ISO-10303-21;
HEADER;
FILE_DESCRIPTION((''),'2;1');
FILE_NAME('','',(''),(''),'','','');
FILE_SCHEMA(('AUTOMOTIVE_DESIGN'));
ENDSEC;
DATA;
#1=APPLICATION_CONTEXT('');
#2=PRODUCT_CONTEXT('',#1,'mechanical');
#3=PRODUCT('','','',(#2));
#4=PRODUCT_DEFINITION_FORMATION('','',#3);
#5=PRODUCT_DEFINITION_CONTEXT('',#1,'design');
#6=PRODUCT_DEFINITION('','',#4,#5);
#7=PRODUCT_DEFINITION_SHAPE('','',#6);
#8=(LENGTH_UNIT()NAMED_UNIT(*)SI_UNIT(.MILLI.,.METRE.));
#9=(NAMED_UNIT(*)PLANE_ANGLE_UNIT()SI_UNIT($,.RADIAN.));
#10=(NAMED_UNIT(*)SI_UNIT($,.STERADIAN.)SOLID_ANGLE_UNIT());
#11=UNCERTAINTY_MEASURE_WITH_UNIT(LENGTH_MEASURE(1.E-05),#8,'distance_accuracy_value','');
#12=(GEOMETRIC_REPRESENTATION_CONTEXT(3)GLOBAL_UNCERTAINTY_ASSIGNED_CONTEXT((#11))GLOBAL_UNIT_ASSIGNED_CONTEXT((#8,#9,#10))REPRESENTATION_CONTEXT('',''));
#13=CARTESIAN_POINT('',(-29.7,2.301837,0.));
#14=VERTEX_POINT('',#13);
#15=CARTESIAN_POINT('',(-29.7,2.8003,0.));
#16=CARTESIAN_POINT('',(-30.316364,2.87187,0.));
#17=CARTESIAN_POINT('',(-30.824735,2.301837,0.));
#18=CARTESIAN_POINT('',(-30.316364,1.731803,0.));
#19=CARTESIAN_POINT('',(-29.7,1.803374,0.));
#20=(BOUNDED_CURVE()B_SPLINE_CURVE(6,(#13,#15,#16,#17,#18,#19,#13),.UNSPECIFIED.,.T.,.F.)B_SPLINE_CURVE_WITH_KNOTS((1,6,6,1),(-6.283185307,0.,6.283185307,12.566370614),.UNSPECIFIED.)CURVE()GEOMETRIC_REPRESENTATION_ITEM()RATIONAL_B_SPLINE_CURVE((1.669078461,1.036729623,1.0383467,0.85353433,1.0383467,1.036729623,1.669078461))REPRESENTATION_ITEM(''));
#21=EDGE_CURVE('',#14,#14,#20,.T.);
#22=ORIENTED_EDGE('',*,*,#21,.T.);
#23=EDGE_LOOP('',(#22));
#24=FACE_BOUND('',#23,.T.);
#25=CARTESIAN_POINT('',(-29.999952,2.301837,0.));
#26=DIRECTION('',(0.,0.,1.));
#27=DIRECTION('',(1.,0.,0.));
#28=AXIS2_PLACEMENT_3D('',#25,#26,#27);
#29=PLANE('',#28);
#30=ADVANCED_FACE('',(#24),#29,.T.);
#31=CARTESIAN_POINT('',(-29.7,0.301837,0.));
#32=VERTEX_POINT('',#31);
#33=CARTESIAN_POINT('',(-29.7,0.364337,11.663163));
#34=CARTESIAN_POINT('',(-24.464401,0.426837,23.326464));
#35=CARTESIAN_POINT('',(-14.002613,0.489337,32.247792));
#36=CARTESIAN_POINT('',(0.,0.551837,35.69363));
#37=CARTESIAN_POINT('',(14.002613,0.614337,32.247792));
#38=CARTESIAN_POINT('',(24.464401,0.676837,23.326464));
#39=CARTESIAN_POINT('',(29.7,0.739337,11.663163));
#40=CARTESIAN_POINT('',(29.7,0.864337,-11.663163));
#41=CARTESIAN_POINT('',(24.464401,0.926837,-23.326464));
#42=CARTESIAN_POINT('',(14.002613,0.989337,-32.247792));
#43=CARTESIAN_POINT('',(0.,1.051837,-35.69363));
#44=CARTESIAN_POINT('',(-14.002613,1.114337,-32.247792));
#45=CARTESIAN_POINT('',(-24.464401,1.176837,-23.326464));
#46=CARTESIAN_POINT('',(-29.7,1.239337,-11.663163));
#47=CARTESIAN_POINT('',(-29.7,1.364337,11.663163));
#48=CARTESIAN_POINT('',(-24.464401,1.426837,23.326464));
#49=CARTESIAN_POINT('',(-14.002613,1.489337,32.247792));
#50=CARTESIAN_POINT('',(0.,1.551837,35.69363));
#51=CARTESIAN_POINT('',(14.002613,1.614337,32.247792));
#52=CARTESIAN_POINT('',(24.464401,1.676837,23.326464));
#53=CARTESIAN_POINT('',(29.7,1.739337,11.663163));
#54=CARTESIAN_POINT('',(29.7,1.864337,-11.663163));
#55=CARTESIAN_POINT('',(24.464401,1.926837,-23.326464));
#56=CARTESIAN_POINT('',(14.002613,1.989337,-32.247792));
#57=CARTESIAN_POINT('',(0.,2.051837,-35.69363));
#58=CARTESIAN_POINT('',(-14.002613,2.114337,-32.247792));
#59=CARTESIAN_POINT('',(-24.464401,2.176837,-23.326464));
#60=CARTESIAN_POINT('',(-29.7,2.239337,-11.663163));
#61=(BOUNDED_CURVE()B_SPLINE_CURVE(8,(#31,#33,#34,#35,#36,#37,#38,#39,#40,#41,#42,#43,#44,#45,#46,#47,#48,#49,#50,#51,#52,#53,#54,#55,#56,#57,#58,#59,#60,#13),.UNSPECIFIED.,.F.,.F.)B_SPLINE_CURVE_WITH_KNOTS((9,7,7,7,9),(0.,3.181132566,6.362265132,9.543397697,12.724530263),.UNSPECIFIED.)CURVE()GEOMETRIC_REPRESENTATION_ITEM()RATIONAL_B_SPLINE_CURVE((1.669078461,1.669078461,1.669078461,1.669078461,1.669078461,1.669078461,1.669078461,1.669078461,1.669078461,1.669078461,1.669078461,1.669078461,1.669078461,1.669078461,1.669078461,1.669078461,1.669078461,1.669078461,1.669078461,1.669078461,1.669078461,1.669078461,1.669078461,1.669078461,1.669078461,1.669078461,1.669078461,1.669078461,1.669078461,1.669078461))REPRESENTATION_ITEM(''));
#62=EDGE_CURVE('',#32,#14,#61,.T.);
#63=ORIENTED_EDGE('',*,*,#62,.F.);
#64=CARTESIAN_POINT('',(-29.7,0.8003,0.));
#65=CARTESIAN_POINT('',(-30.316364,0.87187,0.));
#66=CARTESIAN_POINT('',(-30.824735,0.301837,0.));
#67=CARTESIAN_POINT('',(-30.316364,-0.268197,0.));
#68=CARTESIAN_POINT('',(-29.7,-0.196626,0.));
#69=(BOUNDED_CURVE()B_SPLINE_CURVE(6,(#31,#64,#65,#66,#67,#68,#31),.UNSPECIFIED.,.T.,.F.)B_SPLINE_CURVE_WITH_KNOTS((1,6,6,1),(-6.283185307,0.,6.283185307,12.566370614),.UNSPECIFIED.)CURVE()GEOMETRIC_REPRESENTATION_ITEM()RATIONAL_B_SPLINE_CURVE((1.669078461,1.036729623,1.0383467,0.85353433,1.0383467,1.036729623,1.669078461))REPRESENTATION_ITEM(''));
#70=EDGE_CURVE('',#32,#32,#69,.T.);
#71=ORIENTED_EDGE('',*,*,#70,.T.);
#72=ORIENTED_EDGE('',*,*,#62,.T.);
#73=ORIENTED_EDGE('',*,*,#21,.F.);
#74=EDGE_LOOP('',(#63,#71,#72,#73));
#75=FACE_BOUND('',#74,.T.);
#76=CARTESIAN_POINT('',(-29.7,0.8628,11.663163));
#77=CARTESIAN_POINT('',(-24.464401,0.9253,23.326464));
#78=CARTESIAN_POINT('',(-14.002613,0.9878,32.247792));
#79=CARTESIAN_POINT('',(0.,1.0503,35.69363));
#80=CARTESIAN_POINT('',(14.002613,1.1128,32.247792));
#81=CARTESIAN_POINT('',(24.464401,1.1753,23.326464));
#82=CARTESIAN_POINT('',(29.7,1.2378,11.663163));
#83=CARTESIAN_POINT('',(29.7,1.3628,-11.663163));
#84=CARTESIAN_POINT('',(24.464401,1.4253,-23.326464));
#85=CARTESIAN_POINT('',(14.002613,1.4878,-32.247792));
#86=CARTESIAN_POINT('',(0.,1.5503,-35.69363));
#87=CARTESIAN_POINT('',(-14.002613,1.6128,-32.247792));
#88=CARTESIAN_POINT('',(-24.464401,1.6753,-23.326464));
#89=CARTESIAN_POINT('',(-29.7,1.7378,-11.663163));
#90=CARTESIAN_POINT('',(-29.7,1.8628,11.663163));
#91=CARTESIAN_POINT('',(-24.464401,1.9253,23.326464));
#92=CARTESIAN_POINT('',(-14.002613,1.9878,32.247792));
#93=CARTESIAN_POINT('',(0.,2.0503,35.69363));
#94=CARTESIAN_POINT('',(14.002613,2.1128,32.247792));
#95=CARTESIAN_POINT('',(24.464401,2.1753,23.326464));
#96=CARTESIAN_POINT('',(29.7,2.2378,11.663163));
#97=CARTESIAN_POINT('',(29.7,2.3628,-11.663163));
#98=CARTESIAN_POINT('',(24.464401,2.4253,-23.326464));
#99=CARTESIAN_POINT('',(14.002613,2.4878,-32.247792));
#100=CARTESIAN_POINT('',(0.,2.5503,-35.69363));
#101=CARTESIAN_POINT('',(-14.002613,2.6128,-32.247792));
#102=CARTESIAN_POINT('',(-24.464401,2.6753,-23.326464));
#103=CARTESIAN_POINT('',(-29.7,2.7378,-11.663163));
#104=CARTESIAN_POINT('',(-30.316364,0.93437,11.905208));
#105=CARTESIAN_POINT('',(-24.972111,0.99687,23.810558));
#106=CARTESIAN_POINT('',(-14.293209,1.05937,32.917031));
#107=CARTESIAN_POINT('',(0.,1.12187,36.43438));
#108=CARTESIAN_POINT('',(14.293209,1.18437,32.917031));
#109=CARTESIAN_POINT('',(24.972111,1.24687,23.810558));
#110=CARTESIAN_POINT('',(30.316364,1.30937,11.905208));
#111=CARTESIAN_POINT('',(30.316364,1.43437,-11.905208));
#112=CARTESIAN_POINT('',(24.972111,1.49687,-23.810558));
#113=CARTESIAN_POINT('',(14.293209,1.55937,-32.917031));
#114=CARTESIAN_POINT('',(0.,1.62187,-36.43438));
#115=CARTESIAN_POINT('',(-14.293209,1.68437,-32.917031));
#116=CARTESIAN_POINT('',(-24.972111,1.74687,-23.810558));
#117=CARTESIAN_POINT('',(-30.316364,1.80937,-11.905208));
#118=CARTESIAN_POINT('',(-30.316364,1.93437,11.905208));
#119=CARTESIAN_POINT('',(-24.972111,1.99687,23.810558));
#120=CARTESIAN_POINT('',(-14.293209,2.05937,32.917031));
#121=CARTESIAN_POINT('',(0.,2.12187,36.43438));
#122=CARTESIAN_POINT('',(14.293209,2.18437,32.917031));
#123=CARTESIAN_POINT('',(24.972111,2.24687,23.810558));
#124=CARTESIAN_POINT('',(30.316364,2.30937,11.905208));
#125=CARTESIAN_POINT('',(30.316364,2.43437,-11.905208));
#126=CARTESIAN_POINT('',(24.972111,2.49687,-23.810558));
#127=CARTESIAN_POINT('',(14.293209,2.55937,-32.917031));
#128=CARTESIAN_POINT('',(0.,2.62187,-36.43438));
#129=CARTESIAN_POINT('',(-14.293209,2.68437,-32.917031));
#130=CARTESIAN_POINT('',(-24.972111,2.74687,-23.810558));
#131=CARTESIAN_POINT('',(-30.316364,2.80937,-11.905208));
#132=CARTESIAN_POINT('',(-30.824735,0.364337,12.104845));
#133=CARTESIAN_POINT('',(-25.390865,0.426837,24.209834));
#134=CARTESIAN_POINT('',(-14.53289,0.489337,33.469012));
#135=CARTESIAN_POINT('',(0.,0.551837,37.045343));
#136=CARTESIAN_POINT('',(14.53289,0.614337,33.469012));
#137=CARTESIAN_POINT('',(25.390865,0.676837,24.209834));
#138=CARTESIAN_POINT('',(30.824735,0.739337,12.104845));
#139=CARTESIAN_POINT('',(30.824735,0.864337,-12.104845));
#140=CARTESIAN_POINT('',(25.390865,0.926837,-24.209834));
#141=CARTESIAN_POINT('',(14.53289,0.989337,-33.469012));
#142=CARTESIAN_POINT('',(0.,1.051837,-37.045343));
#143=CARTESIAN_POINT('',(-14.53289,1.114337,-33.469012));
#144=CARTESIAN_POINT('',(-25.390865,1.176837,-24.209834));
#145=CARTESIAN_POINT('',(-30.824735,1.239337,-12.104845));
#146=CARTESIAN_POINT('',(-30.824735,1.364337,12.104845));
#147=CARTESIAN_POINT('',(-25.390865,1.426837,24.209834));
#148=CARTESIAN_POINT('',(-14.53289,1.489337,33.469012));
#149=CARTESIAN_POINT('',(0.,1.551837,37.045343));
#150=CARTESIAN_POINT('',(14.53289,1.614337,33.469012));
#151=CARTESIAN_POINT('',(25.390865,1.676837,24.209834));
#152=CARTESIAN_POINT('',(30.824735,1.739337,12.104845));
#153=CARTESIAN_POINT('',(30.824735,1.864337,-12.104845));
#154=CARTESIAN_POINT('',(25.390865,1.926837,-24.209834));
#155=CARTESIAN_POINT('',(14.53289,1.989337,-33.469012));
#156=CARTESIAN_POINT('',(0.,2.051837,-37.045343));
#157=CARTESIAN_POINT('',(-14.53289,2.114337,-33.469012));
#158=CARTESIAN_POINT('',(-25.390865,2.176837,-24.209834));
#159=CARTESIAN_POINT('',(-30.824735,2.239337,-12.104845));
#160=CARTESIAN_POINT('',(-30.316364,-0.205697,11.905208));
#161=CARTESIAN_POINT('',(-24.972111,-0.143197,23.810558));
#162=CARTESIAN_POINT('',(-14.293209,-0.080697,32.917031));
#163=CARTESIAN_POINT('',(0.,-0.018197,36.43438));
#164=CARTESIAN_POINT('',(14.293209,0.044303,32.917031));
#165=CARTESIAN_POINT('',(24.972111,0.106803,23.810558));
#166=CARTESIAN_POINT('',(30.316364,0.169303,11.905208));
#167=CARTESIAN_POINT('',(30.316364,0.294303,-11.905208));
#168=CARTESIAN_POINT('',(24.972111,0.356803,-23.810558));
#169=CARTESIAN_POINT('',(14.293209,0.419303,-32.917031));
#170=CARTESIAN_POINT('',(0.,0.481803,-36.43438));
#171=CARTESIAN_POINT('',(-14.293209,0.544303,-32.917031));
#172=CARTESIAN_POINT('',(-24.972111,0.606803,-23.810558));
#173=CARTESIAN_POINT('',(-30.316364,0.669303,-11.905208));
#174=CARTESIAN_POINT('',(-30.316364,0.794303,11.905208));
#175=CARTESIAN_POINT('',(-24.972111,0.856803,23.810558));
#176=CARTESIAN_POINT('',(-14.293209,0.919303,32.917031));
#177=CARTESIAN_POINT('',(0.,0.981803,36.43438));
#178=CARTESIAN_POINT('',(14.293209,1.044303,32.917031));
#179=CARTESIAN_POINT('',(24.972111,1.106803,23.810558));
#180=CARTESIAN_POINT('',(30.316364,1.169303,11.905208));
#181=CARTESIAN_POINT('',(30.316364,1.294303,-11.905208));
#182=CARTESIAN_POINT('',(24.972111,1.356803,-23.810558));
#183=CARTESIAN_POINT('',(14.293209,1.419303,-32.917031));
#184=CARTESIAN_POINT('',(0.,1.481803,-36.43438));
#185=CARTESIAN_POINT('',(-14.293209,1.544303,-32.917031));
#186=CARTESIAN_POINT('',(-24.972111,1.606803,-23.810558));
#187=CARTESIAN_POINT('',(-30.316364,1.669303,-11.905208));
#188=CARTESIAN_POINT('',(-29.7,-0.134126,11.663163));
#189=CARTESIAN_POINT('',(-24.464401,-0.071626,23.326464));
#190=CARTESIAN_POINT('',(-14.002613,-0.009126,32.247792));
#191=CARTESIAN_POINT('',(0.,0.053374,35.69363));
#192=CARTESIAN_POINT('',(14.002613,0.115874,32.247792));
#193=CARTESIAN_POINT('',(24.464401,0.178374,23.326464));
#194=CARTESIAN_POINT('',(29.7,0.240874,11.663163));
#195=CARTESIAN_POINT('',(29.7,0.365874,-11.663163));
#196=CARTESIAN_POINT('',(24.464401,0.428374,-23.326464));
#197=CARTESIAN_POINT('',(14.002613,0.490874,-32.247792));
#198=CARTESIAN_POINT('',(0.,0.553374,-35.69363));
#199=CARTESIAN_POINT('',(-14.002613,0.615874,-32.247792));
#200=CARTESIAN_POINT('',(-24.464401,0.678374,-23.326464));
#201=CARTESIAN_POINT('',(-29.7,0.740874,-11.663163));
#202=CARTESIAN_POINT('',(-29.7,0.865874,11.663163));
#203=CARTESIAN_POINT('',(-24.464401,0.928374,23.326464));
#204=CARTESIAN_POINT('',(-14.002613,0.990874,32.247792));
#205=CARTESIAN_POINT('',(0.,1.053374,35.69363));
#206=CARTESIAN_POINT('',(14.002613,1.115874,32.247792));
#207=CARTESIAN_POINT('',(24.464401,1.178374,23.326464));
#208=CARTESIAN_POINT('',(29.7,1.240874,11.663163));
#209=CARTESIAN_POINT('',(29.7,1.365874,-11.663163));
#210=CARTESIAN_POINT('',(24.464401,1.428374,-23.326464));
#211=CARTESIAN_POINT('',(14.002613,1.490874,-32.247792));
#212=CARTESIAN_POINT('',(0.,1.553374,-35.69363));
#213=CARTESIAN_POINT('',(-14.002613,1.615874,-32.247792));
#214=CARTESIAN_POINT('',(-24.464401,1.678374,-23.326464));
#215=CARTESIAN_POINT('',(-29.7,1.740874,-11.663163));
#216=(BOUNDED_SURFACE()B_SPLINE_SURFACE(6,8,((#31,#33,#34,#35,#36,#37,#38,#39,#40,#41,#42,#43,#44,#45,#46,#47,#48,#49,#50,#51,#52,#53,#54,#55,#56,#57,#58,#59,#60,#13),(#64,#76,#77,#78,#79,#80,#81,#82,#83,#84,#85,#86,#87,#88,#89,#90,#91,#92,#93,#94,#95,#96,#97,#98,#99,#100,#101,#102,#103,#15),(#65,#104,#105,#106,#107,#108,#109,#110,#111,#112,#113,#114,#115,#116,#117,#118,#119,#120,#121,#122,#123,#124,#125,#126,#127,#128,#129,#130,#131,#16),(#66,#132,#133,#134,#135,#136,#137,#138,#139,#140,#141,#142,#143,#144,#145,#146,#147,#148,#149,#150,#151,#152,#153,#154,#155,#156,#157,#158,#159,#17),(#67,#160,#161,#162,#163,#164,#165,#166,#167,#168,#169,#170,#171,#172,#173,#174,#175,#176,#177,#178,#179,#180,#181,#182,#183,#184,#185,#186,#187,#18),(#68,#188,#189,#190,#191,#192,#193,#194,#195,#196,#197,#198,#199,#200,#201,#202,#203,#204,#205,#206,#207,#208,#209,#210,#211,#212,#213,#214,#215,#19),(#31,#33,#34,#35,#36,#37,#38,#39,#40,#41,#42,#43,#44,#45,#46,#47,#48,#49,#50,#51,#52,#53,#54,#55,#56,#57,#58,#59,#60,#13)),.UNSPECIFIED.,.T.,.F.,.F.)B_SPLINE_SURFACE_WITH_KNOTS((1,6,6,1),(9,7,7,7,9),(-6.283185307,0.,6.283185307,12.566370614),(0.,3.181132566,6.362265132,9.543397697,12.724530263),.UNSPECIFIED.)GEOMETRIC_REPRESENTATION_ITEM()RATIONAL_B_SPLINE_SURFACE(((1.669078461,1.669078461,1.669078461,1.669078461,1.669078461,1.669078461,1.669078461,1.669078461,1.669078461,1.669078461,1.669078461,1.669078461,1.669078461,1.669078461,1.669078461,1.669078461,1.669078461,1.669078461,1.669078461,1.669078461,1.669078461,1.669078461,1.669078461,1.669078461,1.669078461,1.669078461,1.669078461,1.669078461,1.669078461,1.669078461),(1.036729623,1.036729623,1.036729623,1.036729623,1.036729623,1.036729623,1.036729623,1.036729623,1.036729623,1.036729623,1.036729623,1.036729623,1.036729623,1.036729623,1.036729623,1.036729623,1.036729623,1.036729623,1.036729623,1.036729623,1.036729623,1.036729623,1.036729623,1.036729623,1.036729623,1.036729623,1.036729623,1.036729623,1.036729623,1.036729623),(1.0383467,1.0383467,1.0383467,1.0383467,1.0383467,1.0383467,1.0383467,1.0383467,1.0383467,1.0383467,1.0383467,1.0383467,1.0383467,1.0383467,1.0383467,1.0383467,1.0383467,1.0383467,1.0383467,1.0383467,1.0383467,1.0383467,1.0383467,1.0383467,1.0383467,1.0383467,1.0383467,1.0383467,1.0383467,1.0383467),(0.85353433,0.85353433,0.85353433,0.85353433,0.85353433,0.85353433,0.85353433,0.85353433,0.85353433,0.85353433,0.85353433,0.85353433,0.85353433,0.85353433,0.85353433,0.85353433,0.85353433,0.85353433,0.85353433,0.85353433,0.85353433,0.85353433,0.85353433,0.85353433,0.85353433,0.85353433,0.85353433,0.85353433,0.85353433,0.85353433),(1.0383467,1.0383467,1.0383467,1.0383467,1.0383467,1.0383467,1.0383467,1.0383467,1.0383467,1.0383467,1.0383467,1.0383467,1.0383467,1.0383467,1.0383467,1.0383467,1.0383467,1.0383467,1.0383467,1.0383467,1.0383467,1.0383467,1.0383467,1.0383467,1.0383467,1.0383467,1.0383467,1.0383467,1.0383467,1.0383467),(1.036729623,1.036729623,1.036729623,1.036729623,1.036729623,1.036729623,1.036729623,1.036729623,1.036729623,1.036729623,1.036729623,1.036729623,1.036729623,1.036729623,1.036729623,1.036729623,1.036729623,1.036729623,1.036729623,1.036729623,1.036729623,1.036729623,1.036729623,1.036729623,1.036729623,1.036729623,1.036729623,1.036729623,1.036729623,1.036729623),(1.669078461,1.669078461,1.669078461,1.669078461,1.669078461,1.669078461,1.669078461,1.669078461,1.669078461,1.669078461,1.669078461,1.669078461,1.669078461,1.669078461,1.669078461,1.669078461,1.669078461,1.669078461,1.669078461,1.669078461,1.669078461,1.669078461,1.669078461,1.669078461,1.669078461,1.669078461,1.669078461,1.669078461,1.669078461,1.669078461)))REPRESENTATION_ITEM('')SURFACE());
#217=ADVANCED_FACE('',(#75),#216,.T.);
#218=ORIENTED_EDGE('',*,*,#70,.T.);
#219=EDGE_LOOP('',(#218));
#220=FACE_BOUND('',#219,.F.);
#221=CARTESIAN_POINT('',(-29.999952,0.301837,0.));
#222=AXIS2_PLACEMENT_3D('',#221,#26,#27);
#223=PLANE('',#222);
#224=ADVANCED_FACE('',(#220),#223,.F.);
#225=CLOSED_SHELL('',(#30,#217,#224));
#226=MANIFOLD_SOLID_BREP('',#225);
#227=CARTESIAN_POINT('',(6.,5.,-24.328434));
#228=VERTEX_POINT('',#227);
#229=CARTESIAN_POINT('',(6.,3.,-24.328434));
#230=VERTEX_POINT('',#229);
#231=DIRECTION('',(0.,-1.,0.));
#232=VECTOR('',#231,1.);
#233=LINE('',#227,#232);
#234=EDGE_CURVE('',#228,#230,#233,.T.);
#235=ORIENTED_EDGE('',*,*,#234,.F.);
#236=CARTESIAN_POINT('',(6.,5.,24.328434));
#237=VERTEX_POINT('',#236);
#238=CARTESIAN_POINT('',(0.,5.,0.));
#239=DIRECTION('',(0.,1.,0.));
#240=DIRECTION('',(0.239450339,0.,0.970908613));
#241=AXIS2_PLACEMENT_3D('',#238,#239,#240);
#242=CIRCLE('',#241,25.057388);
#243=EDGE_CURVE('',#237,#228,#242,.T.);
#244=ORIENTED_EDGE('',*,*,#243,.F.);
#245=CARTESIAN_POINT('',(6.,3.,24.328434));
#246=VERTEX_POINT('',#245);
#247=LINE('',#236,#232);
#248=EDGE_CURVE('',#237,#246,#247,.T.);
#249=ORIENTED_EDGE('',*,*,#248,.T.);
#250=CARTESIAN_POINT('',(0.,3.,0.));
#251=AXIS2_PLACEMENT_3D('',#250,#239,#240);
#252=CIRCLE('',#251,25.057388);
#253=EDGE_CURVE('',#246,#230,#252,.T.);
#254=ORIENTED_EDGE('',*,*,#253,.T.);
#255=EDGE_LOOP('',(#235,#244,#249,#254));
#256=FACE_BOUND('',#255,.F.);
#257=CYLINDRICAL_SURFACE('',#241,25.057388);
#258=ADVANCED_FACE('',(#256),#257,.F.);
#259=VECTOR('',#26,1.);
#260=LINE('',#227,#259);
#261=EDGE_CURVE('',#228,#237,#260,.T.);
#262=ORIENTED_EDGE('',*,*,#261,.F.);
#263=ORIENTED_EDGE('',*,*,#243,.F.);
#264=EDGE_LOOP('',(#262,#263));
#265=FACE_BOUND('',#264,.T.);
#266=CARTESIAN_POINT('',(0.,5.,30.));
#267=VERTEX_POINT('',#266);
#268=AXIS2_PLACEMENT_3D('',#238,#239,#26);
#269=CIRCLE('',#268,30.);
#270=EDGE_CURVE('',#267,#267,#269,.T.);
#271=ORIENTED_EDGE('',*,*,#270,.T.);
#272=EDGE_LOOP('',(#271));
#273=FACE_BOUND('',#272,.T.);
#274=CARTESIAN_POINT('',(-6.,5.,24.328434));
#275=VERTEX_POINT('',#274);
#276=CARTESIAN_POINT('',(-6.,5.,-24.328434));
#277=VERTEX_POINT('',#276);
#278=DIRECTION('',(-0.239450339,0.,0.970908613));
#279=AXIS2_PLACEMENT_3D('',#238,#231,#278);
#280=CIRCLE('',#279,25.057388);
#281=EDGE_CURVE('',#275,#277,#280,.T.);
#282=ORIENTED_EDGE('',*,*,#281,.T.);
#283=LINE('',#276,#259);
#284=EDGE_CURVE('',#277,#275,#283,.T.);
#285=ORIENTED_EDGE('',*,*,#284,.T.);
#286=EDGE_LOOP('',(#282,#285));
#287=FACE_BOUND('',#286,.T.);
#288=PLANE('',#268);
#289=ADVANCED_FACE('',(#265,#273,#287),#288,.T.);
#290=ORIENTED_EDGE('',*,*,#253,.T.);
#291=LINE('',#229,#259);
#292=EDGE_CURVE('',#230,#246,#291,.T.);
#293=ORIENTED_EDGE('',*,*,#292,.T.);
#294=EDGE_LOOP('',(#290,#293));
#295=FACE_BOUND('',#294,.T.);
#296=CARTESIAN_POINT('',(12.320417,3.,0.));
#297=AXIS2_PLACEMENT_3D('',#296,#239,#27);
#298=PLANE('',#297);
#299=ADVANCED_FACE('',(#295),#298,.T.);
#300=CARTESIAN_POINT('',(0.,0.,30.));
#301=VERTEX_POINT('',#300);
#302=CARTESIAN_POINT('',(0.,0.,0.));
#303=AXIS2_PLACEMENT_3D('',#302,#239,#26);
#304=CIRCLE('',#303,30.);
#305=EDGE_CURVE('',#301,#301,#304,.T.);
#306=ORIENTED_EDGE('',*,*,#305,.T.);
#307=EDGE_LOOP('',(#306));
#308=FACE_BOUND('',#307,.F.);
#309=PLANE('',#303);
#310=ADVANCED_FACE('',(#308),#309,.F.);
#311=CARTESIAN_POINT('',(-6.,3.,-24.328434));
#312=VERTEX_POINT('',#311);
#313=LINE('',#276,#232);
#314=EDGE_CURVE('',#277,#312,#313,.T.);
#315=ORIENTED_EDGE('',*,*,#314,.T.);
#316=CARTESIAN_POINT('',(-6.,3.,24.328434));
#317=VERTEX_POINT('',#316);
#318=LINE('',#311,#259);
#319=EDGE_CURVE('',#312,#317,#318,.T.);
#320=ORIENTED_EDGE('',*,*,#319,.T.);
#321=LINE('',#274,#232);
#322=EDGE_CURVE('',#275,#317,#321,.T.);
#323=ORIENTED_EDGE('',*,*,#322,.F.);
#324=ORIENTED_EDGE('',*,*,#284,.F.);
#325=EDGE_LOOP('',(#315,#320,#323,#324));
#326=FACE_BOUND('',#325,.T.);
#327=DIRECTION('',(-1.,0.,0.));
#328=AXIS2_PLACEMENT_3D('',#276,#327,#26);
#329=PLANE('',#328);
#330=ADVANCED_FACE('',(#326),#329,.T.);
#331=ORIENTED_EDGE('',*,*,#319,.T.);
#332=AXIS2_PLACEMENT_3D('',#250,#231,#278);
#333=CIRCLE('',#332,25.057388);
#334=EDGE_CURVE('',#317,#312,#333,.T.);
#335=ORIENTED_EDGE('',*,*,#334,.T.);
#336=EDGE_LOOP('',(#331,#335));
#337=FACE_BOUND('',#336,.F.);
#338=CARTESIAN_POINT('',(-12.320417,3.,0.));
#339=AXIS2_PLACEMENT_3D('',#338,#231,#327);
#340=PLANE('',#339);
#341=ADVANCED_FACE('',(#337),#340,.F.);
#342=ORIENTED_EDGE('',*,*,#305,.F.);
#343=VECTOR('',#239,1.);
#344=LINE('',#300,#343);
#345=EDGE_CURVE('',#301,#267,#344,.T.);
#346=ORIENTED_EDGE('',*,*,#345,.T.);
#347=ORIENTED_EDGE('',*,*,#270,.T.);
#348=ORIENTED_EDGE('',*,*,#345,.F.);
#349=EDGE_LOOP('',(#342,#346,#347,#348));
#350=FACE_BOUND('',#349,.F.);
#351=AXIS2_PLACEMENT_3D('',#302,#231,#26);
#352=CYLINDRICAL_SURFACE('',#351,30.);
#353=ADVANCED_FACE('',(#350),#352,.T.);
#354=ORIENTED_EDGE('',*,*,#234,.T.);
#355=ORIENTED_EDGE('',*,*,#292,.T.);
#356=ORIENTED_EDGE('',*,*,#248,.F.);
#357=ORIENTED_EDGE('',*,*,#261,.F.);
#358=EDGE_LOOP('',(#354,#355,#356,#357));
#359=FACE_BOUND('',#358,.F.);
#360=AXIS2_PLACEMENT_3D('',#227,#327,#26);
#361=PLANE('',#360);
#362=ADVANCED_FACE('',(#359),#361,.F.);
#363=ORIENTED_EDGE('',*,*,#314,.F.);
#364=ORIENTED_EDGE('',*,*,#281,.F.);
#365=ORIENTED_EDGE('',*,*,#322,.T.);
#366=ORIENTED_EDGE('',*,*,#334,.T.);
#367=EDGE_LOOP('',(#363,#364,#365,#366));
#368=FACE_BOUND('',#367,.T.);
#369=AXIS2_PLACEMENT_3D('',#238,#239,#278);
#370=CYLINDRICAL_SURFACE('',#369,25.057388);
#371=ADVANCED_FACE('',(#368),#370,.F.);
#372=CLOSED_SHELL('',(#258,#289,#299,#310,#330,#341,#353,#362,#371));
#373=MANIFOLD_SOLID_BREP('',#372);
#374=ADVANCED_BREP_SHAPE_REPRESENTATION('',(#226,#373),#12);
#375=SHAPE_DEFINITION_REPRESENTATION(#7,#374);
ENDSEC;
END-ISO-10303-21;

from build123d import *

# Parameters (mm, degrees)
SKETCH_1_R          = 30
EXTRUDE_1_DEPTH     = 5
CUT_EXTRUDE_1_DEPTH = 2
SWEEP_1_PITCH       = 1
SWEEP_1_HEIGHT      = 2
SWEEP_1_RADIUS      = 30
SWEEP_1_START_ANGLE = -90
SKETCH_5_R          = 0.3


with BuildPart() as part:
    # 草图1 → 凸台-拉伸1 (new body)
    with BuildSketch(Plane(origin=(0, 0, 0), x_dir=(1, 0, 0), z_dir=(0, 1, 0))):
        with Locations(Location((0, 0, 0), (0, 0, 270))):
            Circle(SKETCH_1_R)
    extrude(amount=EXTRUDE_1_DEPTH)

    # 草图2 → 切除-拉伸1 (cut)
    with BuildSketch(Plane(origin=(0, 5, 0), x_dir=(1, 0, 0), z_dir=(0, 1, 0))):
        with BuildLine():
            Line((-6, 24.328433654), (-6, -24.328433654))
            ThreePointArc((-6, -24.328433654), (-25.057387814, 0), (-6, 24.328433654))
        make_face()
        with BuildLine():
            Line((6, 24.328433654), (6, -24.328433654))
            ThreePointArc((6, -24.328433654), (25.057387814, 0), (6, 24.328433654))
        make_face()
    extrude(amount=-CUT_EXTRUDE_1_DEPTH, mode=Mode.SUBTRACT)


with BuildPart() as body_2:
    # 扫描1: sweep along a helix
    with BuildLine() as sweep_1_path:
        add(Helix(SWEEP_1_PITCH, SWEEP_1_HEIGHT, SWEEP_1_RADIUS, center=(0, 0, 0), direction=(0, 1, 0), mode=Mode.PRIVATE).rotate(Axis((0, 0, 0), (0, 1, 0)), SWEEP_1_START_ANGLE))
    # 草图5 → 扫描1 (sweep)
    with BuildSketch(Plane.XY):
        with Locations((-30, 0.301836672)):
            Circle(SKETCH_5_R)
    sweep(path=sweep_1_path.line, is_frenet=True)


solid = Compound([part.part, body_2.part])
